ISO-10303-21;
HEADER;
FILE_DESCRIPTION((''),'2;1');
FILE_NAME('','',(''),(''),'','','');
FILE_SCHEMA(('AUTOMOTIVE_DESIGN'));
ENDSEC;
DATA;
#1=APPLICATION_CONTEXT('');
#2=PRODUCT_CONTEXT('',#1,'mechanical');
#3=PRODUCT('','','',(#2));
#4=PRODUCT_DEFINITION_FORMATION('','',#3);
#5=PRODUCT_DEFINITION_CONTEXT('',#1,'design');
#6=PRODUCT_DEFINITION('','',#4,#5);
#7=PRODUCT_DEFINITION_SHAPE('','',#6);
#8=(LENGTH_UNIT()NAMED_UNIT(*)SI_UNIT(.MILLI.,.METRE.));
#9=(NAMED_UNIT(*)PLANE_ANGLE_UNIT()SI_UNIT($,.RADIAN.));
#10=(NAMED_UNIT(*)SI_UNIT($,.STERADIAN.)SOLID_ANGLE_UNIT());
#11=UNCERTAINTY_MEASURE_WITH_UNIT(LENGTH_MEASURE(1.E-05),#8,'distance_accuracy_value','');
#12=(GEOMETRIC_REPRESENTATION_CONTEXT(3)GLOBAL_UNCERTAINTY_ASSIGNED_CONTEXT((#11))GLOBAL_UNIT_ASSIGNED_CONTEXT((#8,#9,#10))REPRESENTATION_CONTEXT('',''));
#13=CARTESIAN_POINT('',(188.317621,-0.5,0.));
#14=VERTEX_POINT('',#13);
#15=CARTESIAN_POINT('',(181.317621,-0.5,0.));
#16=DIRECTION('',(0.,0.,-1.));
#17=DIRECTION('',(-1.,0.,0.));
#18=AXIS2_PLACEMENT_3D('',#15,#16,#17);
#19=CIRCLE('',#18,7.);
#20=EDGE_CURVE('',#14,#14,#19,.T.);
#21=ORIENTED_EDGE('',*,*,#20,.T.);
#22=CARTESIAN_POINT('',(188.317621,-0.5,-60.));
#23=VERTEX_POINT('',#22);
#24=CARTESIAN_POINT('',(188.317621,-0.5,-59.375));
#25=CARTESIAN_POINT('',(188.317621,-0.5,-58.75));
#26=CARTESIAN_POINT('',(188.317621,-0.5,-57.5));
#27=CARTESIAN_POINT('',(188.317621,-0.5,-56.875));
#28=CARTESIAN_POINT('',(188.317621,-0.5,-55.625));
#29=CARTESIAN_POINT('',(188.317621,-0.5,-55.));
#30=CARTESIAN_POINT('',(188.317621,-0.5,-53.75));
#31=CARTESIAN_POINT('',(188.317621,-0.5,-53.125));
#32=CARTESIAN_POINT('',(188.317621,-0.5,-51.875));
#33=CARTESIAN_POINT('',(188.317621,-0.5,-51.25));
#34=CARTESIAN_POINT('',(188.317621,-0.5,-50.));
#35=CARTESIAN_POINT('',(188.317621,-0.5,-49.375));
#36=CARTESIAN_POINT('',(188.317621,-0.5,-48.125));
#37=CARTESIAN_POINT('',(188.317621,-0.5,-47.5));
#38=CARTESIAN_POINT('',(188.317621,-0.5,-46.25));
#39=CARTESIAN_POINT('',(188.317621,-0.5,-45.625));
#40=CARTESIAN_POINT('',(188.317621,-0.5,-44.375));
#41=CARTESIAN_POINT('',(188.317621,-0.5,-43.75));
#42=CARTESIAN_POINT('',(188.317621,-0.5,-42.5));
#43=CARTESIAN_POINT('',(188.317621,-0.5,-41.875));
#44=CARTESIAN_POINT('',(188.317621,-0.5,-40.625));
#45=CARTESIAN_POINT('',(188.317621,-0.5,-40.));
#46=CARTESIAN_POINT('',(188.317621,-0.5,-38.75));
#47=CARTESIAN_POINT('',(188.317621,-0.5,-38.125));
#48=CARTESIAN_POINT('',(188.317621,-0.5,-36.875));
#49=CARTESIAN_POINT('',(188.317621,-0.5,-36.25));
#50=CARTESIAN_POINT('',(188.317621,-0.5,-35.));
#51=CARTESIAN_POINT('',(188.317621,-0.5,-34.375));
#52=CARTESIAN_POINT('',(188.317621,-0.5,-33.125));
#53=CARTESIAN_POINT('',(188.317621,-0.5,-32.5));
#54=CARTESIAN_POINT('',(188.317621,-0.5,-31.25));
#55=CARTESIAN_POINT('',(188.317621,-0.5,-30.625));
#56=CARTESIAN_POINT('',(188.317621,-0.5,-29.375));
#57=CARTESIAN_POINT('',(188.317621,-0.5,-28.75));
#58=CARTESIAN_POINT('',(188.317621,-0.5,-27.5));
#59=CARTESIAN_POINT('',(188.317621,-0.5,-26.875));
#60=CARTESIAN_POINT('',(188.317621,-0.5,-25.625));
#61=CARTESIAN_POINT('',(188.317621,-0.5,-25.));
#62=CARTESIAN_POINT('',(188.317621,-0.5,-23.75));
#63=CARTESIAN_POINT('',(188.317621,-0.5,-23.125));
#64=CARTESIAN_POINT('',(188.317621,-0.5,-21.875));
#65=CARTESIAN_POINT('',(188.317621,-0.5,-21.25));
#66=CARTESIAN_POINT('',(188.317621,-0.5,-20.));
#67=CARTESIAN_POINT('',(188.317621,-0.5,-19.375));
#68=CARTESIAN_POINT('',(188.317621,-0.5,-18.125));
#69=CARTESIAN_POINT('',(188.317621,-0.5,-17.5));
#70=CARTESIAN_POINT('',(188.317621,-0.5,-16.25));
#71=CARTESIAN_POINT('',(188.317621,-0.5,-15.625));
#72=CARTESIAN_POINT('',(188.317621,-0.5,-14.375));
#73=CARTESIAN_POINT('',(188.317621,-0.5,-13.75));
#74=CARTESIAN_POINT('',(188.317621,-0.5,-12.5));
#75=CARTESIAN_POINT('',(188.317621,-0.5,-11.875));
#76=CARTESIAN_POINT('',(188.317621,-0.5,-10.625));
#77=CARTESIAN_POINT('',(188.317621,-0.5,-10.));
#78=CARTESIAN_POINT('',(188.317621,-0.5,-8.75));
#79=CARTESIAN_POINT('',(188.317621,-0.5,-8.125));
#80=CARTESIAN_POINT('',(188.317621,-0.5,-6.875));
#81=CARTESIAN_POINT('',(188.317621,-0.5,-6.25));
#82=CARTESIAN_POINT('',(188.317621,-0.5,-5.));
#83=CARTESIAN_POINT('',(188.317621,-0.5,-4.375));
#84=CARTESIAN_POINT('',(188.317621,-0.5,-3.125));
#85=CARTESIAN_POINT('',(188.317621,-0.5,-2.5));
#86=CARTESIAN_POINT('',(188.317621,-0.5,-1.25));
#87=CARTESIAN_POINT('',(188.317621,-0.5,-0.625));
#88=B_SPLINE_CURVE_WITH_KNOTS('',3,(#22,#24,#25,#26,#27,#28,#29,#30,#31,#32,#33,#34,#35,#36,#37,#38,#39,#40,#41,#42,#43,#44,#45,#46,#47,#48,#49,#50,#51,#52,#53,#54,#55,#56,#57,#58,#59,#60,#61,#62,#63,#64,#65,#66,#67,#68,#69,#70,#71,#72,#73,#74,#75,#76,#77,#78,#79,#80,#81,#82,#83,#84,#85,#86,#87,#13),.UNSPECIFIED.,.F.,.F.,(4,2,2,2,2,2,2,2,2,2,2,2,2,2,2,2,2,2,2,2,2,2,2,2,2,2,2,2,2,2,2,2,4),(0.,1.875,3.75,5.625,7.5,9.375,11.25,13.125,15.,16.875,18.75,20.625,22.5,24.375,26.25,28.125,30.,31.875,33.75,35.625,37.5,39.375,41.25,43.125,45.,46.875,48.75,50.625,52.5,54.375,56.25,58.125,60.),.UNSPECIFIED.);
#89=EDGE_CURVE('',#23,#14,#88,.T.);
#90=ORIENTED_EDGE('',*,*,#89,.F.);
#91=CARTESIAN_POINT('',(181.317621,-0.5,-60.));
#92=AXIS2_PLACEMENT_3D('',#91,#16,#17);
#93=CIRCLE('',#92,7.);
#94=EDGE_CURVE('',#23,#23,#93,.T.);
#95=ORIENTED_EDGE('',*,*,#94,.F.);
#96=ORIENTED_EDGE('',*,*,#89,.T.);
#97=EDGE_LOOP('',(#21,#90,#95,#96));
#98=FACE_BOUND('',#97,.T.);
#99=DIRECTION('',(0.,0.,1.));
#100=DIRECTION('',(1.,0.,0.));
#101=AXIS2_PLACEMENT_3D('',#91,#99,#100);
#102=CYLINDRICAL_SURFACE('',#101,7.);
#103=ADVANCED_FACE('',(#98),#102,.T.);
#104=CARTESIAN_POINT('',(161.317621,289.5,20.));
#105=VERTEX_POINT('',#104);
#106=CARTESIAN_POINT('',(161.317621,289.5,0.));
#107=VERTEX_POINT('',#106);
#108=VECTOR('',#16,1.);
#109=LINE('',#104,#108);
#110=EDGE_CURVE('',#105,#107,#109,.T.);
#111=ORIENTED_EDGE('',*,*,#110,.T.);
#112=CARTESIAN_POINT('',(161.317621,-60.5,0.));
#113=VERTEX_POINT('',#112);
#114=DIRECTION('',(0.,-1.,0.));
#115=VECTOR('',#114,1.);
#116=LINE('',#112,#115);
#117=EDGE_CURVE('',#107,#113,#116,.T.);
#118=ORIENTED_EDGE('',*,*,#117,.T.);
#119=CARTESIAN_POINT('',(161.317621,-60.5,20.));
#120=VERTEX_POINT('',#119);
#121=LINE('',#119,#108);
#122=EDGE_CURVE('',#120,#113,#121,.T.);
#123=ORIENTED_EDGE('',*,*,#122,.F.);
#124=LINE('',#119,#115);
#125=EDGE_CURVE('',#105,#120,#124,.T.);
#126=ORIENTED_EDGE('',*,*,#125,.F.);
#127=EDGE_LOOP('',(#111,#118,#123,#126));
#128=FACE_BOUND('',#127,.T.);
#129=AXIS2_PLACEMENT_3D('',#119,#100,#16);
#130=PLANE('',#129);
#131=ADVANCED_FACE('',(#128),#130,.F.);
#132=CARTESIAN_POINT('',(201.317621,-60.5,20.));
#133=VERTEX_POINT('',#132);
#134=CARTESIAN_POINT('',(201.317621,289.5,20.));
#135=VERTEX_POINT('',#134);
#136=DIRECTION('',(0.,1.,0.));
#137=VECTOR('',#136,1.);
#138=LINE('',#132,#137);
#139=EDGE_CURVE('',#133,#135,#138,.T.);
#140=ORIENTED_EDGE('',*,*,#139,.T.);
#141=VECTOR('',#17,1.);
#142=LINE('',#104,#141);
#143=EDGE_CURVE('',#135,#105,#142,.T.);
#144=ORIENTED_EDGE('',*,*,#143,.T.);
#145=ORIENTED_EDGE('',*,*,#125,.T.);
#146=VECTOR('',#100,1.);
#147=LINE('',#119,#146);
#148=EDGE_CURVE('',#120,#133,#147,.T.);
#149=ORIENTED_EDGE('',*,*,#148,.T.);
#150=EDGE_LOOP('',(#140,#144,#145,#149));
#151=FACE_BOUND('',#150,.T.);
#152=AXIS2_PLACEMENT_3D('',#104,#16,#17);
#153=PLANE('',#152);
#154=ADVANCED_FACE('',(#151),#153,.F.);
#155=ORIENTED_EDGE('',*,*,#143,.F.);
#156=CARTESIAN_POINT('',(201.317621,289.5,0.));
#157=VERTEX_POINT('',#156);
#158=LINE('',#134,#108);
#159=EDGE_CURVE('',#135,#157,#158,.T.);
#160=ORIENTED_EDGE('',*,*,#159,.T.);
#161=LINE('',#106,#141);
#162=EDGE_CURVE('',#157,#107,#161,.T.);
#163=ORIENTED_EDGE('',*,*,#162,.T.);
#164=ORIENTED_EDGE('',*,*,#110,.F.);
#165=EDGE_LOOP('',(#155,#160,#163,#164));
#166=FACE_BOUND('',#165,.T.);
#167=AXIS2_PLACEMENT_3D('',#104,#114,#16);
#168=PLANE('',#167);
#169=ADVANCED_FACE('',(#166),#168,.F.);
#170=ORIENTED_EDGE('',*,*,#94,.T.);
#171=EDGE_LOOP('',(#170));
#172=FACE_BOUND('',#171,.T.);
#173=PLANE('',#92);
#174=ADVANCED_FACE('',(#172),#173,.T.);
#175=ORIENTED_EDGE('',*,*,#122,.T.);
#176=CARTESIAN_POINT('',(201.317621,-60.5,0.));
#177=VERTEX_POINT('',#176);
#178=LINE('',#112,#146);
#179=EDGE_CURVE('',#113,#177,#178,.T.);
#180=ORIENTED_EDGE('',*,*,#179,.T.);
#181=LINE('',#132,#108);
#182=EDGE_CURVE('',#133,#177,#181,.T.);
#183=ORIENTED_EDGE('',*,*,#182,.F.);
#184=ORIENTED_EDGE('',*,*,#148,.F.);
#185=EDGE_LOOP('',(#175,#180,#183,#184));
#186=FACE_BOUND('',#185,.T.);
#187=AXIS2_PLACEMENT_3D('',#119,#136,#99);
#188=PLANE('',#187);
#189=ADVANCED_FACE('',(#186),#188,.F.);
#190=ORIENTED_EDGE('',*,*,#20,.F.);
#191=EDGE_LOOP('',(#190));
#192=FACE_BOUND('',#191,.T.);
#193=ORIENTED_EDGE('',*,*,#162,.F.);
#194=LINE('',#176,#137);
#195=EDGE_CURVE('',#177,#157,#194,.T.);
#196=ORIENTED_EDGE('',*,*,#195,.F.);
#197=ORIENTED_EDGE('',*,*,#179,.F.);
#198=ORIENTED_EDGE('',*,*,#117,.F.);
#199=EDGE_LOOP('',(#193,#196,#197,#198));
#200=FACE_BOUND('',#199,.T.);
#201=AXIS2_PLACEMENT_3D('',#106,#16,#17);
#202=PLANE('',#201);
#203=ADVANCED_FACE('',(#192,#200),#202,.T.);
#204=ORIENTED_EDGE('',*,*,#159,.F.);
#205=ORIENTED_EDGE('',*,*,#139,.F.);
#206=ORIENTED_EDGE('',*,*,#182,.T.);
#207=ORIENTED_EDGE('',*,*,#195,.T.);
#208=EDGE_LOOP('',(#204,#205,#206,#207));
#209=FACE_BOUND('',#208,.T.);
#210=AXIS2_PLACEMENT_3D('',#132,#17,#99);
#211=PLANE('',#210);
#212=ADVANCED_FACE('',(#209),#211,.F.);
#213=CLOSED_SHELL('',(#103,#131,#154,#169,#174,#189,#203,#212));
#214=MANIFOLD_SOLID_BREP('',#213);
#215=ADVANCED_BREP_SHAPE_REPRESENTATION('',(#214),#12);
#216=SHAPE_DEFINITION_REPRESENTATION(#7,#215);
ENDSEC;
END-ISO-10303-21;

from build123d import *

# Parameters (mm, degrees)
SKETCH1_W      = 40
SKETCH1_H      = 350
EXTRUDE1_DEPTH = 20
SKETCH2_R      = 7
EXTRUDE2_DEPTH = 60


with BuildPart() as part:
    # Sketch1 → Extrude1 (new body)
    with BuildSketch(Plane.XY):
        with Locations((181.317621291, 114.5)):
            Rectangle(SKETCH1_W, SKETCH1_H)
    extrude(amount=EXTRUDE1_DEPTH)

    # Sketch2 → Extrude2 (add)
    with BuildSketch(Plane(origin=(0, 0, 0), x_dir=(-1, 0, 0), z_dir=(0, 0, -1))):
        with Locations(Location((-181.317621291, -0.5, 0), (0, 0, 180))):
            Circle(SKETCH2_R)
    extrude(amount=EXTRUDE2_DEPTH)


solid = part.part
